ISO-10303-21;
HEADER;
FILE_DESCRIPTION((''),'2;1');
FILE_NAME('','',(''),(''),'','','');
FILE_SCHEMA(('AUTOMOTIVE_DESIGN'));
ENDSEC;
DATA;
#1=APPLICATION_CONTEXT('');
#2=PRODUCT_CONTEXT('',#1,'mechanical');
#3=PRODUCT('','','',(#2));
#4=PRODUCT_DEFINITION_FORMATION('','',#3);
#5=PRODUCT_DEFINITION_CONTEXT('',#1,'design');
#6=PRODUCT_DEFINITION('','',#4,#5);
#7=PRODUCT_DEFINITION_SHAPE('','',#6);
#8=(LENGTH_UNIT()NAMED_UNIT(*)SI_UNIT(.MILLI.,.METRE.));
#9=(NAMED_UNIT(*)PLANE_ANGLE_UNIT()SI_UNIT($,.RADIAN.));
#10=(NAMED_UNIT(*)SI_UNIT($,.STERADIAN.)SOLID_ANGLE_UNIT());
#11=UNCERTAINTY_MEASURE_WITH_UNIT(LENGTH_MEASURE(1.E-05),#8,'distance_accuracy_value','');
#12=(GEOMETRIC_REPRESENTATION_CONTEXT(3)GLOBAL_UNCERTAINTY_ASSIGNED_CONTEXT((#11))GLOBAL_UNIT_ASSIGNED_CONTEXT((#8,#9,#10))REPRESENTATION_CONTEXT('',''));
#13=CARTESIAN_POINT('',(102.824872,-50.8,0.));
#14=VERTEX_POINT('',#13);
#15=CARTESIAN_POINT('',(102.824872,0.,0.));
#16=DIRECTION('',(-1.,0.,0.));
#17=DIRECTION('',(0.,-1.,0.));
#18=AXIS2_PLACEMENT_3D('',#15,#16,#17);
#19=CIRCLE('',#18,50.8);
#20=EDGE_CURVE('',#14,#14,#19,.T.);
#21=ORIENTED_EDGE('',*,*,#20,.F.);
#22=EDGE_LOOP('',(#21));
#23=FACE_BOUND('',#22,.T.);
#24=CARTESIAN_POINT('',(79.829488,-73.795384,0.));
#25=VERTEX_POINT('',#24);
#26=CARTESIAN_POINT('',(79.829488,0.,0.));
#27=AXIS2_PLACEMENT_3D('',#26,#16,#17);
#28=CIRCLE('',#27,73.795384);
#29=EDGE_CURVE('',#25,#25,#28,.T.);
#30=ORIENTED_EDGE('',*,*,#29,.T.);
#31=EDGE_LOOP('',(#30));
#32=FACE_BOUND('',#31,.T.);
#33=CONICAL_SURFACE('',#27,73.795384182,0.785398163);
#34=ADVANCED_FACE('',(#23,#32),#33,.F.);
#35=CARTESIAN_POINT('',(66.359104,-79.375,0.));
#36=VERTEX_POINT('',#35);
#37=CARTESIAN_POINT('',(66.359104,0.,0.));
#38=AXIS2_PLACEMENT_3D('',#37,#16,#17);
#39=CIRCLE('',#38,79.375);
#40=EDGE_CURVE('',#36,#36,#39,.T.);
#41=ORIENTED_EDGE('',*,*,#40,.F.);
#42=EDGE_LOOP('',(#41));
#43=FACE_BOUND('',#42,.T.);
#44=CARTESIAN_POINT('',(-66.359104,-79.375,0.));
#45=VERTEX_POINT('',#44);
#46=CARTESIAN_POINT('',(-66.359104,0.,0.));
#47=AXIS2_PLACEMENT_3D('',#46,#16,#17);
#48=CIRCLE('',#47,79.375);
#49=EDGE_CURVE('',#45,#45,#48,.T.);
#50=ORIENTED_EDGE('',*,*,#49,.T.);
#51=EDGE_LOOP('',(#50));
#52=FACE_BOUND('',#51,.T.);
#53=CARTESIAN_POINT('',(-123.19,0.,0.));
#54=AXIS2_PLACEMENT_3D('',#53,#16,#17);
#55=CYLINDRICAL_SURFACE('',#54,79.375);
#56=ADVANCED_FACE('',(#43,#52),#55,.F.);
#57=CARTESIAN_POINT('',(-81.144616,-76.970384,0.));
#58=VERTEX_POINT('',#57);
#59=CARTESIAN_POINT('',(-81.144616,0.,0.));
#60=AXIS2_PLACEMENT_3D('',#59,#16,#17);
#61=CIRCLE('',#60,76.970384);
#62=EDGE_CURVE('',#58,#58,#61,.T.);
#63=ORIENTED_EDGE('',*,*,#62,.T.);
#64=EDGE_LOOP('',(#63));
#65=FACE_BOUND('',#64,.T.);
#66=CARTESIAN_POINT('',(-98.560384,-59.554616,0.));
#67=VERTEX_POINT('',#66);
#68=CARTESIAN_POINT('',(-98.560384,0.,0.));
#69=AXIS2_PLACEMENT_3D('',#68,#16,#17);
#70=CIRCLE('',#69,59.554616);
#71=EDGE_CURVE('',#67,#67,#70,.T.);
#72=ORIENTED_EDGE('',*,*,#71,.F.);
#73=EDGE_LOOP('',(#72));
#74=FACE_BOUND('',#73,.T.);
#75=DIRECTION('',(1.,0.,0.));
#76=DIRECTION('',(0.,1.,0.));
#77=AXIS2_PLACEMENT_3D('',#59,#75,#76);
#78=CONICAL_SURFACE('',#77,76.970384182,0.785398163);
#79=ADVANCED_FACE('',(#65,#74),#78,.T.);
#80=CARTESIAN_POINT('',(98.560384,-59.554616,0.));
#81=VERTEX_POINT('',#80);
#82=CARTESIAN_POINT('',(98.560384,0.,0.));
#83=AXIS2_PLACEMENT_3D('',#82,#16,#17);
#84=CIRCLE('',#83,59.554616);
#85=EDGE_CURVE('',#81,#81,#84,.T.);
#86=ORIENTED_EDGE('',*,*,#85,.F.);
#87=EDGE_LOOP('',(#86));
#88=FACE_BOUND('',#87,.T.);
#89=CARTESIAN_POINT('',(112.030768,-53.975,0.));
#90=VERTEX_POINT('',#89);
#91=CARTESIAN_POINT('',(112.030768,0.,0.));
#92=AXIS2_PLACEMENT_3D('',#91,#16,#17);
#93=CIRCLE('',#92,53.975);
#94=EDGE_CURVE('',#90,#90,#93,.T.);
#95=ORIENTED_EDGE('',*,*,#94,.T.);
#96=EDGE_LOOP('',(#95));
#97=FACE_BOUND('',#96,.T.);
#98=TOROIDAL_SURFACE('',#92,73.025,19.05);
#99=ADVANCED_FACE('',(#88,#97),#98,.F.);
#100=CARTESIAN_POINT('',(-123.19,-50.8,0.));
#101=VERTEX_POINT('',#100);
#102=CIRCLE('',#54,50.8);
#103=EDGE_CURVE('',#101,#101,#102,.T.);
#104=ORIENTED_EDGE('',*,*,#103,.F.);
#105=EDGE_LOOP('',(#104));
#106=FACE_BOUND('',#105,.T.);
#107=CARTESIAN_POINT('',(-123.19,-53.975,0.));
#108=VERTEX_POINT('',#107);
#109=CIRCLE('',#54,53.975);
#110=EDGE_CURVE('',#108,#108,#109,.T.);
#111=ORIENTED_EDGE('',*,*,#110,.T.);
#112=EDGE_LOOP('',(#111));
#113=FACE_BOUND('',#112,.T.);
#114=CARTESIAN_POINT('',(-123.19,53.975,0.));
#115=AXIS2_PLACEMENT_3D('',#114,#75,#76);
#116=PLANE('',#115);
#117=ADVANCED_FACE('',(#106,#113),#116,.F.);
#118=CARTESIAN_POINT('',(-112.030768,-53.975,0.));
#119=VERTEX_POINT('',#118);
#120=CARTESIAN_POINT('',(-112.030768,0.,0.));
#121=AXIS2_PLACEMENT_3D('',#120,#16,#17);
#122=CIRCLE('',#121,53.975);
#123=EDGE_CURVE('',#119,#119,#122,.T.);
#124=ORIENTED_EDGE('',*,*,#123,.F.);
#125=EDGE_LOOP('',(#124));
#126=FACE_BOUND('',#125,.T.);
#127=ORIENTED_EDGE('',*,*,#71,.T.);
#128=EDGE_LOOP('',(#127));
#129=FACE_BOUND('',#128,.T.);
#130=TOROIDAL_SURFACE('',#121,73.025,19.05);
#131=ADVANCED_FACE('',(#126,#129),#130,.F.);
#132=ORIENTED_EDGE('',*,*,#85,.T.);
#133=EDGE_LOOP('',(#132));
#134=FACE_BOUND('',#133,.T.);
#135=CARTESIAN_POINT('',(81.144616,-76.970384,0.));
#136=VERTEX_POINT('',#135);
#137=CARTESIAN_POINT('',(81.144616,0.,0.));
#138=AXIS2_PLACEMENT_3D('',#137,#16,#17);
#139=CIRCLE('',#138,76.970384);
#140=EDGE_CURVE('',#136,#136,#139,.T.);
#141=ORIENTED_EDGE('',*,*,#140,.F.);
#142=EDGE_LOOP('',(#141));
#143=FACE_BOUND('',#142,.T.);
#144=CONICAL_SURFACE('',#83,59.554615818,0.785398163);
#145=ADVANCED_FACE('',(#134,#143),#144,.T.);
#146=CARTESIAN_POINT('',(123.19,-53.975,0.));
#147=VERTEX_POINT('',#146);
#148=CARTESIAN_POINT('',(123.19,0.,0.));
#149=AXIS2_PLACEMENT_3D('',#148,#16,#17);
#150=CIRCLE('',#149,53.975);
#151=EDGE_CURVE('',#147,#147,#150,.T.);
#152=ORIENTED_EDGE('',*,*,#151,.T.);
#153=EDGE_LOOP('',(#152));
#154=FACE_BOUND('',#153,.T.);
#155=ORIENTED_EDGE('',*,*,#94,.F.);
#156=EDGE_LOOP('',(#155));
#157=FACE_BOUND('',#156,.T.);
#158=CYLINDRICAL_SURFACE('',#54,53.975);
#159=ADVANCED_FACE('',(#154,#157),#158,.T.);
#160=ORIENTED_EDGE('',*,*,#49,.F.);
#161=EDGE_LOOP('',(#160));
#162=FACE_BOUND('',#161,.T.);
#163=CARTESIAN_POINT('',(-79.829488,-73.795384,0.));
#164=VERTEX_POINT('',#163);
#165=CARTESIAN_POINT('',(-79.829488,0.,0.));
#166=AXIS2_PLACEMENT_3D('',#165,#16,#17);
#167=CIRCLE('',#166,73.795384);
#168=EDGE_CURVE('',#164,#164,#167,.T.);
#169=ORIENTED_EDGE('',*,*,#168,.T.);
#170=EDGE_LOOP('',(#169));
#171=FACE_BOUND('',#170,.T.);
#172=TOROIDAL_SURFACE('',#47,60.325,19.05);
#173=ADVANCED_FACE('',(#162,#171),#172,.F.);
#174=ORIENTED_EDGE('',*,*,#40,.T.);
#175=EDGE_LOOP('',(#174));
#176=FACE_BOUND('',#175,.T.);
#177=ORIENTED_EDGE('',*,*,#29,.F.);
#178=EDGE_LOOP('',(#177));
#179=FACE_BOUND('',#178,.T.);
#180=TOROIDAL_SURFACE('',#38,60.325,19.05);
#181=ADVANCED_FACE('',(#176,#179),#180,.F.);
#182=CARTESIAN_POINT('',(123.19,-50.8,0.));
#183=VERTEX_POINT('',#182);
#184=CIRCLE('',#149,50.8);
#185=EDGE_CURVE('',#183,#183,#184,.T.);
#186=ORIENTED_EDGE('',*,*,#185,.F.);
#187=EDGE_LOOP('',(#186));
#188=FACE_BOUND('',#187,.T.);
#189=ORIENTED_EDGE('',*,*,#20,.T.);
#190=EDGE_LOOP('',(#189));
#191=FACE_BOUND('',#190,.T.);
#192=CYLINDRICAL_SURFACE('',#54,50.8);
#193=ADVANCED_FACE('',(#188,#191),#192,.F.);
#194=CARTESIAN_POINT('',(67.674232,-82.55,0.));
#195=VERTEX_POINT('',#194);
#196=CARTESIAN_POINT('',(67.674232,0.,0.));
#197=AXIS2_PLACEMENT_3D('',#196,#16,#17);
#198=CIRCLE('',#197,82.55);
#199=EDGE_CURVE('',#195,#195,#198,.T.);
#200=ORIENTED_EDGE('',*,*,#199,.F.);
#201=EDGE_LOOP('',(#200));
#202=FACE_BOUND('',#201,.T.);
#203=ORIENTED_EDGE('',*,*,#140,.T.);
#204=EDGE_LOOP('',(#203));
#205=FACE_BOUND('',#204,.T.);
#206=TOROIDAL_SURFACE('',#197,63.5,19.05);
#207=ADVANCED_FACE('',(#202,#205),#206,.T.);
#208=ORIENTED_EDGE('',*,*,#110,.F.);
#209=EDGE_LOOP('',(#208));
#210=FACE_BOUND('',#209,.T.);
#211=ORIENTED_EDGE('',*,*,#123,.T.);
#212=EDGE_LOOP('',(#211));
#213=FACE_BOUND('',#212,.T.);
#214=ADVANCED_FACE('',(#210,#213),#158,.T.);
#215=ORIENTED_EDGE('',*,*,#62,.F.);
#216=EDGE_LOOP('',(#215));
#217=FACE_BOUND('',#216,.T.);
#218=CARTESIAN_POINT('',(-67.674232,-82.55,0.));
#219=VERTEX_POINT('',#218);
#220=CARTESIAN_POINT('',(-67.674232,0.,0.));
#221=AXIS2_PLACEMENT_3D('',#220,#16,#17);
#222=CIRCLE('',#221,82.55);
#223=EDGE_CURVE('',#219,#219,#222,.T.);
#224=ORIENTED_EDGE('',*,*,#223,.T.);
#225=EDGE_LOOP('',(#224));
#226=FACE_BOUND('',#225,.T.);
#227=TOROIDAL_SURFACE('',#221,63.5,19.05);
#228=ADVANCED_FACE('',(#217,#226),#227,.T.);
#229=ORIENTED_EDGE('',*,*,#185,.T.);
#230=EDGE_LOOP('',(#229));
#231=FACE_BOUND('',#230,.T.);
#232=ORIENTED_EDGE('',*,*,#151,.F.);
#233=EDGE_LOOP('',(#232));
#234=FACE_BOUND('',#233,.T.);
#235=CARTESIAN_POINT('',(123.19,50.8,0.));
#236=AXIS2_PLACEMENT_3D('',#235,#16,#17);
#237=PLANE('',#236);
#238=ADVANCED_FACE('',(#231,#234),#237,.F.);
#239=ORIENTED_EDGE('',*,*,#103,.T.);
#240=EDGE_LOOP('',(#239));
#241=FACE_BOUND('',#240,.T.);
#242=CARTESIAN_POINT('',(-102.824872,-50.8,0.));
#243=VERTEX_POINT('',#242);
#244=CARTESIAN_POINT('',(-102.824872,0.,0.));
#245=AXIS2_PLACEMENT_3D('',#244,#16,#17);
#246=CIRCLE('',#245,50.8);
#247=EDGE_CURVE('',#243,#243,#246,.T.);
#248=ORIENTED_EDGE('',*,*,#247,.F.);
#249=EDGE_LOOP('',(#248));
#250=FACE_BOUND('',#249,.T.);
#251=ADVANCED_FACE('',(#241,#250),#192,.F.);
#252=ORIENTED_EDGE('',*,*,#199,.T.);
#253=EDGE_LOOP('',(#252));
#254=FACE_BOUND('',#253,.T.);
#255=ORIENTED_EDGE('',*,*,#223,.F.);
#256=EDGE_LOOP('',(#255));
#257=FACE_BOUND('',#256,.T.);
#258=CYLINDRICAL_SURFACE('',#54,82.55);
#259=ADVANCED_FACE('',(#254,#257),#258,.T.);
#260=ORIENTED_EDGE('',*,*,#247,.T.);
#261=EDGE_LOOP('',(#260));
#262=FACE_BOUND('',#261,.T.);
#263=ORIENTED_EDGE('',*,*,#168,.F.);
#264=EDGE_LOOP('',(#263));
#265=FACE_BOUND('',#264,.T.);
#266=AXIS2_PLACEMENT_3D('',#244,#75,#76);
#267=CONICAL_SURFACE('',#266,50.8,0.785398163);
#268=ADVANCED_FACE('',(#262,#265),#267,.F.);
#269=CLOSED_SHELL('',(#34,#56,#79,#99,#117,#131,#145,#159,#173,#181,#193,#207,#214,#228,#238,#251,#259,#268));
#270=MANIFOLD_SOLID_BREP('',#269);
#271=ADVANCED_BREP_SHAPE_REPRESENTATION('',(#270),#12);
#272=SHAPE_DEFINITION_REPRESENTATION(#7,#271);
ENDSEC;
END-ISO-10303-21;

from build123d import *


with BuildPart() as part:
    # Sketch1 → Revolve1 (revolve)
    with BuildSketch(Plane.XY):
        with BuildLine():
            Line((-123.19, 53.975), (-123.19, 50.8))
            Line((-123.19, 50.8), (-102.824871939, 50.8))
            Line((-102.824871939, 50.8), (-79.829487758, 73.795384182))
            ThreePointArc((-79.829487758, 73.795384182), (-73.649222963, 77.924905094), (-66.359103576, 79.375))
            Line((-66.359103576, 79.375), (66.359103576, 79.375))
            ThreePointArc((66.359103576, 79.375), (73.649222963, 77.924905094), (79.829487758, 73.795384182))
            Line((79.829487758, 73.795384182), (102.824871939, 50.8))
            Line((102.824871939, 50.8), (123.19, 50.8))
            Line((123.19, 50.8), (123.19, 53.975))
            Line((123.19, 53.975), (112.030768363, 53.975))
            ThreePointArc((112.030768363, 53.975), (104.740648977, 55.425094906), (98.560384182, 59.554615818))
            Line((98.560384182, 59.554615818), (81.144615818, 76.970384182))
            ThreePointArc((81.144615818, 76.970384182), (74.964351023, 81.099905094), (67.674231637, 82.55))
            Line((67.674231637, 82.55), (-67.674231637, 82.55))
            ThreePointArc((-67.674231637, 82.55), (-74.964351023, 81.099905094), (-81.144615818, 76.970384182))
            Line((-81.144615818, 76.970384182), (-98.560384182, 59.554615818))
            ThreePointArc((-98.560384182, 59.554615818), (-104.740648977, 55.425094906), (-112.030768363, 53.975))
            Line((-112.030768363, 53.975), (-123.19, 53.975))
        make_face()
    revolve(axis=Axis((-123.19, 0, 0), (1, 0, 0)))


solid = part.part
